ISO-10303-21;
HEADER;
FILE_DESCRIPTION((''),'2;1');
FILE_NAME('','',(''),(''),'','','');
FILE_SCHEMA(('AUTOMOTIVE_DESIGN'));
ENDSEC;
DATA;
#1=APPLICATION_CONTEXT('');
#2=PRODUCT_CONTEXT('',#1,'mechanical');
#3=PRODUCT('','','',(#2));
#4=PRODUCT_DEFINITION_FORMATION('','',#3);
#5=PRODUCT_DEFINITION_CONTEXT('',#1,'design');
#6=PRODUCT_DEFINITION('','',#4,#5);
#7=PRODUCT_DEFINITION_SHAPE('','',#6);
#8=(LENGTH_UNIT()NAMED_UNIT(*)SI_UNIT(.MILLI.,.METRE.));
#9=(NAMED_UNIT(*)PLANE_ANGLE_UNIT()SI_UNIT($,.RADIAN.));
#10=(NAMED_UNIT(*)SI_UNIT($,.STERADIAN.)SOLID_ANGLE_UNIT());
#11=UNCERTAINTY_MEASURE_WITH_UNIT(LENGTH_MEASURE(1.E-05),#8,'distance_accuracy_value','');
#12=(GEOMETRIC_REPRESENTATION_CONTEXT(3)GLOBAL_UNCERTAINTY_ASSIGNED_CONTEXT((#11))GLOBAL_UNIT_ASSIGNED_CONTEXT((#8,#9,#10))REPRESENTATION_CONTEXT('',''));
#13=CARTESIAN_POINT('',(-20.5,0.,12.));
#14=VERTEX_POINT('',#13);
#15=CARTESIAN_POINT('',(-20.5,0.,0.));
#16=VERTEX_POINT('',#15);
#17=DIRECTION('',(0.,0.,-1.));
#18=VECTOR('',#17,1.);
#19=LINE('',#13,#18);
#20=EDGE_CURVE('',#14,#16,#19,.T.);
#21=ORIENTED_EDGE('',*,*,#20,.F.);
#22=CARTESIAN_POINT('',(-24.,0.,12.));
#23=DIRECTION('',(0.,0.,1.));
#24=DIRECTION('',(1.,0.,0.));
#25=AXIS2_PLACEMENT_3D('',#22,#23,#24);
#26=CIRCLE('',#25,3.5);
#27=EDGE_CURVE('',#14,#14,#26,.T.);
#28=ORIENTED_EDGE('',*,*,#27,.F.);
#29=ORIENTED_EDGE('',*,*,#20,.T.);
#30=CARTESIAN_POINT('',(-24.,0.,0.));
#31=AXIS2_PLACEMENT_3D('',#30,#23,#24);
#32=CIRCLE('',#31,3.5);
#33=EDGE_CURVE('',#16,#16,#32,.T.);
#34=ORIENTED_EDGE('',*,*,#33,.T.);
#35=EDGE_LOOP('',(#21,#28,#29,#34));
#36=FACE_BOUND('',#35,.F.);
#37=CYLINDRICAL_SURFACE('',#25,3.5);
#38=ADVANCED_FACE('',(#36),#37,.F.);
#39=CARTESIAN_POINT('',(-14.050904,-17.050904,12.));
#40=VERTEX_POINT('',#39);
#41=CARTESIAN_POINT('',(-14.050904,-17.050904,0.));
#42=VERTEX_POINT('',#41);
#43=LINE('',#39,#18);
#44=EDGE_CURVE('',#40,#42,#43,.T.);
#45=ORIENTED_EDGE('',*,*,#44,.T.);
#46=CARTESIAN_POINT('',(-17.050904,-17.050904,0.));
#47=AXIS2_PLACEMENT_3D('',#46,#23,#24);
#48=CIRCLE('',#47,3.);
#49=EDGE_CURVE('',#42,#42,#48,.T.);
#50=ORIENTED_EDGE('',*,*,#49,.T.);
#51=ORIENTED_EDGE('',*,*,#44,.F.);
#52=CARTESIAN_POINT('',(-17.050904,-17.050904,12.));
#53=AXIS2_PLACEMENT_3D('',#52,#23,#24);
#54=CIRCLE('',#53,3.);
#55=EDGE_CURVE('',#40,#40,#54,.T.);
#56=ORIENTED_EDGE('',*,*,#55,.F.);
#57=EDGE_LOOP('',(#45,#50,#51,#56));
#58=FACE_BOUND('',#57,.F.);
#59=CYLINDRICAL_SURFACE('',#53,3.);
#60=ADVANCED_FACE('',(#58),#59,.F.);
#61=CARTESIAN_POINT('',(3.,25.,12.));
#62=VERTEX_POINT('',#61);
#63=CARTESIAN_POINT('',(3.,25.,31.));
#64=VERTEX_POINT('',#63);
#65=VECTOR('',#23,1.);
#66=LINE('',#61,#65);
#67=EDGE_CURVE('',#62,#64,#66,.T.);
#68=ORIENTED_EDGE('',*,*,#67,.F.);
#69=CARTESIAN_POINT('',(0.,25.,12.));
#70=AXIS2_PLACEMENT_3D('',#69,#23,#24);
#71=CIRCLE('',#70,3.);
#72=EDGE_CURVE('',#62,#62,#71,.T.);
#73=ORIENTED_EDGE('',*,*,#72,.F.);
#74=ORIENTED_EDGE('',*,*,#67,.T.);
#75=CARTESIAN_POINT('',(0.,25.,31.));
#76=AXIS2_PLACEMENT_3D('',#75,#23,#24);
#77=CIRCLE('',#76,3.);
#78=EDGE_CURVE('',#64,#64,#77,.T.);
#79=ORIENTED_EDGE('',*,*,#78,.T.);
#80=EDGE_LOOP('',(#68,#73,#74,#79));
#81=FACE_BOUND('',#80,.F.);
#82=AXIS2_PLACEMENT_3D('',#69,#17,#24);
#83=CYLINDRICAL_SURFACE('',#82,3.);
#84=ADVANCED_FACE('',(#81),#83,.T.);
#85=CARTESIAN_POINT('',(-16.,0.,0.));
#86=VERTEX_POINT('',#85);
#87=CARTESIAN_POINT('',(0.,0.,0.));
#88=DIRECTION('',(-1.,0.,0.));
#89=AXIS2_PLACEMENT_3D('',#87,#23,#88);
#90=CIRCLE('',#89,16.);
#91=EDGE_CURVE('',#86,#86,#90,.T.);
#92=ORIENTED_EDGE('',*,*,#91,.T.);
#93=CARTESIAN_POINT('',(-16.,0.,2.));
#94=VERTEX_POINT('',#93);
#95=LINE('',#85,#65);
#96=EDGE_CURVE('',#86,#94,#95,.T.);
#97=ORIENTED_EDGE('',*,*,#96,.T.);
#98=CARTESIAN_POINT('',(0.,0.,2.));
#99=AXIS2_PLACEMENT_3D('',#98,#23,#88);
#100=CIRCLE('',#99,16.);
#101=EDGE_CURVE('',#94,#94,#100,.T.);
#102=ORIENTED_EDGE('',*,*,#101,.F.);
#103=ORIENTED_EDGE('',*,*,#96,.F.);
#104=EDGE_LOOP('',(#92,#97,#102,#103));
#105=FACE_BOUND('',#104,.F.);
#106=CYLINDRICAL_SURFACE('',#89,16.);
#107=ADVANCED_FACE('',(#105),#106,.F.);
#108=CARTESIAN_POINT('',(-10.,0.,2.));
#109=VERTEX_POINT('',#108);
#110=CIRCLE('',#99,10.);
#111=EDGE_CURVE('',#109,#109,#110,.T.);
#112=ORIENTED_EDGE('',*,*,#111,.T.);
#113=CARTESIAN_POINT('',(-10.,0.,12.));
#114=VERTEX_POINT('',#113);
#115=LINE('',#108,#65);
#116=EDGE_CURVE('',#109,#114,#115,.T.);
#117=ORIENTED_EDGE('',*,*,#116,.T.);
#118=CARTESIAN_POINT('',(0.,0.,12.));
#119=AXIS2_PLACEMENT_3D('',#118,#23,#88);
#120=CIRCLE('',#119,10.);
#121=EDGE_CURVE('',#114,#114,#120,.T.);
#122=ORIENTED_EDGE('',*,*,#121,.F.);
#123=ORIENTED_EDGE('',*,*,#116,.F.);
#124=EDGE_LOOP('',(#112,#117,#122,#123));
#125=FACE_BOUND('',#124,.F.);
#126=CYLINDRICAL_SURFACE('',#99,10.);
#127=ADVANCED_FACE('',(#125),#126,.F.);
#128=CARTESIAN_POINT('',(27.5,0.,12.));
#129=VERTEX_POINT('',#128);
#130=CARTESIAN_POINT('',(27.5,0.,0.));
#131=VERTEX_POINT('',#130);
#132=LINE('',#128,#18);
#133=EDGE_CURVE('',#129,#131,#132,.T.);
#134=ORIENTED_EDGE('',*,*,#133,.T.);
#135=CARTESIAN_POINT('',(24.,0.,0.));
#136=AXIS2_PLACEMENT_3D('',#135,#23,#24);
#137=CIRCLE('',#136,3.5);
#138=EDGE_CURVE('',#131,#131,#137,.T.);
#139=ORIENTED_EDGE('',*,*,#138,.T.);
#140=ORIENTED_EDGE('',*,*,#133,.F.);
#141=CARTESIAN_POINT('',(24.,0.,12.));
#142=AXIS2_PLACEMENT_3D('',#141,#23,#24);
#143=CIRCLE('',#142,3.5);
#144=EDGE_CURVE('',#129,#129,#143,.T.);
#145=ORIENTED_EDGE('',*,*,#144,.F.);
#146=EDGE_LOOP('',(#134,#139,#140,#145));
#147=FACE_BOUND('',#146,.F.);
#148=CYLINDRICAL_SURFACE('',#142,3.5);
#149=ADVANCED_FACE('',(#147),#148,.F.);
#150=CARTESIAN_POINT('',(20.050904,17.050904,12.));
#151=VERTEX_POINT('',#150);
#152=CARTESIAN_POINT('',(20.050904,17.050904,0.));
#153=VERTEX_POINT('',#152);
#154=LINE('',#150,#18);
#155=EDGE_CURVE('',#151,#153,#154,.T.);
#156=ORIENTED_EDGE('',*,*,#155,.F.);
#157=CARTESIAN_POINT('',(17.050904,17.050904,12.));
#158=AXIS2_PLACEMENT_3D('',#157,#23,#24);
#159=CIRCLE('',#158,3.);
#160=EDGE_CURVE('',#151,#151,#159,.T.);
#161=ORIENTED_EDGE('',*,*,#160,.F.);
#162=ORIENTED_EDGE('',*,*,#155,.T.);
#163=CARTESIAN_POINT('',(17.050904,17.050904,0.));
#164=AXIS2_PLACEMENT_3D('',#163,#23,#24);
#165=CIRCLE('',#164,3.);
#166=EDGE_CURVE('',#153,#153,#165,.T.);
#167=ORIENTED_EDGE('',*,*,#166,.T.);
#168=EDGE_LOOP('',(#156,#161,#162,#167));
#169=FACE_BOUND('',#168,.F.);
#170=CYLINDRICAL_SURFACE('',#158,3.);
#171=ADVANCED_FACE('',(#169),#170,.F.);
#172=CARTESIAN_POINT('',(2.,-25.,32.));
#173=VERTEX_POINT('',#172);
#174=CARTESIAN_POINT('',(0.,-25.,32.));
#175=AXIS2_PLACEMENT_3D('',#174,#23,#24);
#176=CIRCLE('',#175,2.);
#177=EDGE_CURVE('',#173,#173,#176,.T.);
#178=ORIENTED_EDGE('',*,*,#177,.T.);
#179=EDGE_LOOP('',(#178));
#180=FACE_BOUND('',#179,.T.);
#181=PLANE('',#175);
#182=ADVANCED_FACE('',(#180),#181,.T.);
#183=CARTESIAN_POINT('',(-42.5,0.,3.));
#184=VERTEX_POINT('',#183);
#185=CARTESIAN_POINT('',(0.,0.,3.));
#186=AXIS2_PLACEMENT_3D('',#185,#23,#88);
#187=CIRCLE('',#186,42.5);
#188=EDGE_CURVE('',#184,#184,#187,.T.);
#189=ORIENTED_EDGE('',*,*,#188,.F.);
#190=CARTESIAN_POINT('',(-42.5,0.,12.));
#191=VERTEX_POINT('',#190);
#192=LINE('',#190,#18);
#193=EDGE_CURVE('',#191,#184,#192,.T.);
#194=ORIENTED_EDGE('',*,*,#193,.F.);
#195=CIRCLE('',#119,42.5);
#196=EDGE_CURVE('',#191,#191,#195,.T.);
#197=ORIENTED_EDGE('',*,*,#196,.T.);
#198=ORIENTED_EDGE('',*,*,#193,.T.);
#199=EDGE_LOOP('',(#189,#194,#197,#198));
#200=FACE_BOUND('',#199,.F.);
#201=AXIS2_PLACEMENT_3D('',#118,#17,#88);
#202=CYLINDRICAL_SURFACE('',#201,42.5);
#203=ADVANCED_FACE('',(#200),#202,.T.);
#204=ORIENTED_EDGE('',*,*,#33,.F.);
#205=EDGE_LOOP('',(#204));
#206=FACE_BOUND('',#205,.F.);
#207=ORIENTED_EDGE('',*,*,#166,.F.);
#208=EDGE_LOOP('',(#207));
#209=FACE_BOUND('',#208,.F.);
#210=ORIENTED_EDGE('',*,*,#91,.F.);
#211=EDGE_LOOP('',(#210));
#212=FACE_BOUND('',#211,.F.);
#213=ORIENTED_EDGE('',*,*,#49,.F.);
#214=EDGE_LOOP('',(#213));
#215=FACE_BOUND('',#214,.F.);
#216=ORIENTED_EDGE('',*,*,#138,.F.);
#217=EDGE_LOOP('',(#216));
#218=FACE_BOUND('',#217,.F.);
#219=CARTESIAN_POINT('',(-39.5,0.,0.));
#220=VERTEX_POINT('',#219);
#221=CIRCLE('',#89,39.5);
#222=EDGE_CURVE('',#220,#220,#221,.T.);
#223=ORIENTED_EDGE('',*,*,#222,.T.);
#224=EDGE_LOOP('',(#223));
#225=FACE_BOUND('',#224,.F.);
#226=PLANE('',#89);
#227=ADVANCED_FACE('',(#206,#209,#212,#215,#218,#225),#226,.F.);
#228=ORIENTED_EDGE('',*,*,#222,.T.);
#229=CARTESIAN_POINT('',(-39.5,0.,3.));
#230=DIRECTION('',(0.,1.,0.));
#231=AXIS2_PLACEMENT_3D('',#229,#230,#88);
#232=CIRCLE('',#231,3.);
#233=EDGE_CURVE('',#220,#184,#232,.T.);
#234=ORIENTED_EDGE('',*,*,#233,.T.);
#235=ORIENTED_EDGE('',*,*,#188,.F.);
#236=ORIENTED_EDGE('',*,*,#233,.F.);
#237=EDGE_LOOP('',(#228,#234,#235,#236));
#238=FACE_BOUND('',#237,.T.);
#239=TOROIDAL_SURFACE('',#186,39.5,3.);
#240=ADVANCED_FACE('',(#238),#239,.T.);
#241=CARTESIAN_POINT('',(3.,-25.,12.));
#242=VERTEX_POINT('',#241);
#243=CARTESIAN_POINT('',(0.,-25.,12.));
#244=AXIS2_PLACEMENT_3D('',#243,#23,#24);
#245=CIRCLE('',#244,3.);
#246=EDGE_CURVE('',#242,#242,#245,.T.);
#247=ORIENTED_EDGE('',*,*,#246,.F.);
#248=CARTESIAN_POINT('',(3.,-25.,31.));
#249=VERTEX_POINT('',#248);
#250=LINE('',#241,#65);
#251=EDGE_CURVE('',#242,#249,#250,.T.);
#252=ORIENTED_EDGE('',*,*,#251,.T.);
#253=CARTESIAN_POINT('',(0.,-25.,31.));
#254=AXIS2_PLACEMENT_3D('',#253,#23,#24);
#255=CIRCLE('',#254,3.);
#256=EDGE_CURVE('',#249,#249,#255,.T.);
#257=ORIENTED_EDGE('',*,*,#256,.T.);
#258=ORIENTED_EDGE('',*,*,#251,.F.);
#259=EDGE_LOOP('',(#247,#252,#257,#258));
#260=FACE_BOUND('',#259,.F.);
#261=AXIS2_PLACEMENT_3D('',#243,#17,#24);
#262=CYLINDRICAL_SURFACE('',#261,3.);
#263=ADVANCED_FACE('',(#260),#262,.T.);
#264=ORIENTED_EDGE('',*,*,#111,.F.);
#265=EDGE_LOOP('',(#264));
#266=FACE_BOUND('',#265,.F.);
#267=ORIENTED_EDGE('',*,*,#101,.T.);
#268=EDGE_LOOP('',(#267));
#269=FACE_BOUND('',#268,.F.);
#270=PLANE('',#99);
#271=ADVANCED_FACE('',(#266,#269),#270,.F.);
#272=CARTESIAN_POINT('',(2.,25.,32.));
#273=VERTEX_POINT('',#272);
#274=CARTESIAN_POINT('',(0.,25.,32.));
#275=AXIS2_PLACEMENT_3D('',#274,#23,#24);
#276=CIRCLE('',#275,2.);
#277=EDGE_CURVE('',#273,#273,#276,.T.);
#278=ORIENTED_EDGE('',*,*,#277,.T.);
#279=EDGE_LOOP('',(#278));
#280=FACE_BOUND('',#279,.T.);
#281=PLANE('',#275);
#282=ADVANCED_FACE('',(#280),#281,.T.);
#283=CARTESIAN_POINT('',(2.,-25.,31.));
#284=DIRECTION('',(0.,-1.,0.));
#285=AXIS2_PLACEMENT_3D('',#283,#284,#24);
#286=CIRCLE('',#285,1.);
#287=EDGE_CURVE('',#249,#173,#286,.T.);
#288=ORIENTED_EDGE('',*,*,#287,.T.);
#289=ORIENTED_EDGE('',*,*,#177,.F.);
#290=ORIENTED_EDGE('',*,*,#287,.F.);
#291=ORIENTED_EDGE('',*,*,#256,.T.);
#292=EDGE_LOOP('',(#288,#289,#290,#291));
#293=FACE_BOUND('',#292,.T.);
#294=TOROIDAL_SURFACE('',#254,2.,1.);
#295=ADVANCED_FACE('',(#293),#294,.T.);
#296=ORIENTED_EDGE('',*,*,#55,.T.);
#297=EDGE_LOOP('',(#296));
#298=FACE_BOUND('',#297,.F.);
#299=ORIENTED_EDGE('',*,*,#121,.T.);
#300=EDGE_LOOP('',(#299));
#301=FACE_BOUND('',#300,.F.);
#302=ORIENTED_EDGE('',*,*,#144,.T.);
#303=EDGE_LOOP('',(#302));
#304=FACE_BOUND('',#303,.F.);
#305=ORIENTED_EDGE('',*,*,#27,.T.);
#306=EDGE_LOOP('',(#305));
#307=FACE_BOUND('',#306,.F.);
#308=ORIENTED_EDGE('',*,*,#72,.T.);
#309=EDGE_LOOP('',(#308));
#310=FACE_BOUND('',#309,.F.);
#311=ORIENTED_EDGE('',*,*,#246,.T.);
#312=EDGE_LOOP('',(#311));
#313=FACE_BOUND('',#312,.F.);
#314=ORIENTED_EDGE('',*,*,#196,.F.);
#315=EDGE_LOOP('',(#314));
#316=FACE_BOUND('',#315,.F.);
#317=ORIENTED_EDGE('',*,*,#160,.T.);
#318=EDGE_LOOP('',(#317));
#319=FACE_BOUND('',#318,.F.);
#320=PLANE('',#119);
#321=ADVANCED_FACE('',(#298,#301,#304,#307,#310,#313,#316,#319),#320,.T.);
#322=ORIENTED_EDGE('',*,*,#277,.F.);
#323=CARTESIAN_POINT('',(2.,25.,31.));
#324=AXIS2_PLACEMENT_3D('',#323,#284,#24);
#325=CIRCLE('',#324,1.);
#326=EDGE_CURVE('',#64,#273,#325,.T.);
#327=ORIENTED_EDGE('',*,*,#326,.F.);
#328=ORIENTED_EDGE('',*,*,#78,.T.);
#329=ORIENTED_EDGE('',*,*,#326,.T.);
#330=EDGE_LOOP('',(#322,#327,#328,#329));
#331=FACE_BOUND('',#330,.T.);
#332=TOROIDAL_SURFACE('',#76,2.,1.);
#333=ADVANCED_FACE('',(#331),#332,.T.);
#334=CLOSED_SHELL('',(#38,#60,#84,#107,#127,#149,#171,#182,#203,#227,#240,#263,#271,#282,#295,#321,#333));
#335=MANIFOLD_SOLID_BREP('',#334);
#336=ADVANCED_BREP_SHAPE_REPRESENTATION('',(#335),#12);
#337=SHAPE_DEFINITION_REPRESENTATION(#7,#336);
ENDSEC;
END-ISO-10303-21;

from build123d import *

# Parameters (mm, degrees)
F2_R     = 3
F3_R     = 3.5
F4_DEPTH = 25
F3_R_2   = 3
F5_DEPTH = 20
F6_R     = 1
F7_R     = 3
F8_DEPTH = 25


with BuildPart() as f1:
    # F0 (on Front) → F1 (revolve)
    with BuildSketch(Plane.XZ):
        Polygon((-42.5, 0), (-16, 0), (-16, 2), (-10, 2), (-10, 12), (-42.5, 12), align=None)
    revolve(axis=Axis((0, 0, 19.633664), (0, 0, 1)))

    # F2
    f2_edges = [f1.edges().sort_by_distance(p)[0] for p in [
        (42.5, 0, 0),
    ]]
    fillet(f2_edges, radius=F2_R)

    # F3 (on face) → F4 (cut)
    with BuildSketch(Plane.XY.offset(12)):
        with Locations((-24, 0)):
            Circle(F3_R)
        with Locations((24, 0)):
            Circle(F3_R)
    extrude(amount=-F4_DEPTH, mode=Mode.SUBTRACT)

    # F3 (on face) → F5 (join)
    with BuildSketch(Plane.XY.offset(12)):
        with Locations((0, -25)):
            Circle(F3_R_2)
        with Locations((0, 25)):
            Circle(F3_R_2)
    extrude(amount=F5_DEPTH)

    # F6
    f6_edges = [f1.edges().sort_by_distance(p)[0] for p in [
        (-3, -25, 32),
        (-3, 25, 32),
    ]]
    fillet(f6_edges, radius=F6_R)

    # F7 (on face) → F8 (cut)
    with BuildSketch(Plane.XY.offset(12)):
        with Locations((-17.050904, -17.050904)):
            Circle(F7_R)
        with Locations((17.050904, 17.050904)):
            Circle(F7_R)
    extrude(amount=-F8_DEPTH, mode=Mode.SUBTRACT)


solid = f1.part
